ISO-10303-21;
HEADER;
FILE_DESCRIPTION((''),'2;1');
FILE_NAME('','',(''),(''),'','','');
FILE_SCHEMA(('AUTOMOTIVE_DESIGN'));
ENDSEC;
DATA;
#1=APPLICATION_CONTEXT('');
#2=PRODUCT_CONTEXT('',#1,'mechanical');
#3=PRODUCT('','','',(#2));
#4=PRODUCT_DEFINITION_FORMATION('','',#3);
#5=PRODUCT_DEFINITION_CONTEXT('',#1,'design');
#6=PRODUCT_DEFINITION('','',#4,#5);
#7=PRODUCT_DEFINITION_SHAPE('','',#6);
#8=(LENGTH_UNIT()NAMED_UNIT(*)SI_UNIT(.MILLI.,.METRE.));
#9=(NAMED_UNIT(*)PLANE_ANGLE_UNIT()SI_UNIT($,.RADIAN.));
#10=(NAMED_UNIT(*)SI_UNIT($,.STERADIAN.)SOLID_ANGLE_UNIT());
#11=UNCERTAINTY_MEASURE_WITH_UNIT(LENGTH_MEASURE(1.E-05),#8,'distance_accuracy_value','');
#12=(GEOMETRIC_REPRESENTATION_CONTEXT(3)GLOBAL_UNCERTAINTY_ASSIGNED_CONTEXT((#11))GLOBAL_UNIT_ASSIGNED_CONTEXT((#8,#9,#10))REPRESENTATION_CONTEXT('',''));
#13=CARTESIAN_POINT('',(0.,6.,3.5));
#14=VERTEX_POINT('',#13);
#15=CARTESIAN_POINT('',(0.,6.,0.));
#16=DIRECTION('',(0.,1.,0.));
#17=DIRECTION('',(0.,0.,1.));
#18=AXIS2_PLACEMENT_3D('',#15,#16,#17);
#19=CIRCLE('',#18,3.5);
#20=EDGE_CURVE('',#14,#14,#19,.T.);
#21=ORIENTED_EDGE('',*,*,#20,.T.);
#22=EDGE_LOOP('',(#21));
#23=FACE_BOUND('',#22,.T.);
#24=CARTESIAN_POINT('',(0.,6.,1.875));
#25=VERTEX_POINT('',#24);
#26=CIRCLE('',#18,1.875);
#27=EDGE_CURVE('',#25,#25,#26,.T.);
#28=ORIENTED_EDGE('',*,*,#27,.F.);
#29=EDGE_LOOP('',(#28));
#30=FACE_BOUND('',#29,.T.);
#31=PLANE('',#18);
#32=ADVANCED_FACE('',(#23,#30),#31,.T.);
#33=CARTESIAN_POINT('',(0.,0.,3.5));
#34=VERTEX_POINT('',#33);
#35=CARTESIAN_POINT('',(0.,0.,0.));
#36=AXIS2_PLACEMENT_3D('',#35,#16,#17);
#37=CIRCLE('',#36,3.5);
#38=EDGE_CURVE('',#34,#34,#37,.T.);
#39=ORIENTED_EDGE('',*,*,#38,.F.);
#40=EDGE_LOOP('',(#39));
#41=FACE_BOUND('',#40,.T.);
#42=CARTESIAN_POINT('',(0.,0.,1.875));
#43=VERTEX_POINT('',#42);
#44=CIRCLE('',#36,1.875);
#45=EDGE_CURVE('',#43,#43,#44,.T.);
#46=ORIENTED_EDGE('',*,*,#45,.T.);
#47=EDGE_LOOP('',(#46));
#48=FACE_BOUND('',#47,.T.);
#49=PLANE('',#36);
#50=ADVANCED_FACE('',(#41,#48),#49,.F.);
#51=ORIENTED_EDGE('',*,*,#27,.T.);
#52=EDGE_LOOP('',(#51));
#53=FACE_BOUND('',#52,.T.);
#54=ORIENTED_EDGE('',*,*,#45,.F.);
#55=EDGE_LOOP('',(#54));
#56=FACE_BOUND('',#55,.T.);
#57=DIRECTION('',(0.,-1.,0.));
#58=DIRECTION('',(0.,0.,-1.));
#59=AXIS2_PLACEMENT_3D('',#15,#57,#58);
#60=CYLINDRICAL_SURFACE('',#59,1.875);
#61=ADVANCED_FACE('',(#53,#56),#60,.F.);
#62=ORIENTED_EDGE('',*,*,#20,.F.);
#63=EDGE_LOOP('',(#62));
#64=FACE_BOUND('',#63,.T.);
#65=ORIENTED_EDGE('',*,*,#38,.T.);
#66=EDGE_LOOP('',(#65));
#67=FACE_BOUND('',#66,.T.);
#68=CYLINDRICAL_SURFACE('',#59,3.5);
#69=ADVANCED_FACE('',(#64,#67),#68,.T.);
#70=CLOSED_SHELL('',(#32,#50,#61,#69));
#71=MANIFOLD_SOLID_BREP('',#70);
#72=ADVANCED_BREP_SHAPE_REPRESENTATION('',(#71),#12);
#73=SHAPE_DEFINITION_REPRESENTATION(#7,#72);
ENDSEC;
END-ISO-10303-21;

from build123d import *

# Parameters (mm, degrees)
CROQUIS1_R              = 3.5
CROQUIS1_R_2            = 1.875
SALIENTE_EXTRUIR1_DEPTH = 6


with BuildPart() as part:
    # Croquis1 → Saliente-Extruir1 (new body)
    with BuildSketch(Plane(origin=(0, 0, 0), x_dir=(1, 0, 0), z_dir=(0, 1, 0))):
        with Locations(Location((0, 0, 0), (0, 0, 270))):
            Circle(CROQUIS1_R)
        with Locations(Location((0, 0, 0), (0, 0, 270))):
            Circle(CROQUIS1_R_2, mode=Mode.SUBTRACT)
    extrude(amount=SALIENTE_EXTRUIR1_DEPTH)


solid = part.part
